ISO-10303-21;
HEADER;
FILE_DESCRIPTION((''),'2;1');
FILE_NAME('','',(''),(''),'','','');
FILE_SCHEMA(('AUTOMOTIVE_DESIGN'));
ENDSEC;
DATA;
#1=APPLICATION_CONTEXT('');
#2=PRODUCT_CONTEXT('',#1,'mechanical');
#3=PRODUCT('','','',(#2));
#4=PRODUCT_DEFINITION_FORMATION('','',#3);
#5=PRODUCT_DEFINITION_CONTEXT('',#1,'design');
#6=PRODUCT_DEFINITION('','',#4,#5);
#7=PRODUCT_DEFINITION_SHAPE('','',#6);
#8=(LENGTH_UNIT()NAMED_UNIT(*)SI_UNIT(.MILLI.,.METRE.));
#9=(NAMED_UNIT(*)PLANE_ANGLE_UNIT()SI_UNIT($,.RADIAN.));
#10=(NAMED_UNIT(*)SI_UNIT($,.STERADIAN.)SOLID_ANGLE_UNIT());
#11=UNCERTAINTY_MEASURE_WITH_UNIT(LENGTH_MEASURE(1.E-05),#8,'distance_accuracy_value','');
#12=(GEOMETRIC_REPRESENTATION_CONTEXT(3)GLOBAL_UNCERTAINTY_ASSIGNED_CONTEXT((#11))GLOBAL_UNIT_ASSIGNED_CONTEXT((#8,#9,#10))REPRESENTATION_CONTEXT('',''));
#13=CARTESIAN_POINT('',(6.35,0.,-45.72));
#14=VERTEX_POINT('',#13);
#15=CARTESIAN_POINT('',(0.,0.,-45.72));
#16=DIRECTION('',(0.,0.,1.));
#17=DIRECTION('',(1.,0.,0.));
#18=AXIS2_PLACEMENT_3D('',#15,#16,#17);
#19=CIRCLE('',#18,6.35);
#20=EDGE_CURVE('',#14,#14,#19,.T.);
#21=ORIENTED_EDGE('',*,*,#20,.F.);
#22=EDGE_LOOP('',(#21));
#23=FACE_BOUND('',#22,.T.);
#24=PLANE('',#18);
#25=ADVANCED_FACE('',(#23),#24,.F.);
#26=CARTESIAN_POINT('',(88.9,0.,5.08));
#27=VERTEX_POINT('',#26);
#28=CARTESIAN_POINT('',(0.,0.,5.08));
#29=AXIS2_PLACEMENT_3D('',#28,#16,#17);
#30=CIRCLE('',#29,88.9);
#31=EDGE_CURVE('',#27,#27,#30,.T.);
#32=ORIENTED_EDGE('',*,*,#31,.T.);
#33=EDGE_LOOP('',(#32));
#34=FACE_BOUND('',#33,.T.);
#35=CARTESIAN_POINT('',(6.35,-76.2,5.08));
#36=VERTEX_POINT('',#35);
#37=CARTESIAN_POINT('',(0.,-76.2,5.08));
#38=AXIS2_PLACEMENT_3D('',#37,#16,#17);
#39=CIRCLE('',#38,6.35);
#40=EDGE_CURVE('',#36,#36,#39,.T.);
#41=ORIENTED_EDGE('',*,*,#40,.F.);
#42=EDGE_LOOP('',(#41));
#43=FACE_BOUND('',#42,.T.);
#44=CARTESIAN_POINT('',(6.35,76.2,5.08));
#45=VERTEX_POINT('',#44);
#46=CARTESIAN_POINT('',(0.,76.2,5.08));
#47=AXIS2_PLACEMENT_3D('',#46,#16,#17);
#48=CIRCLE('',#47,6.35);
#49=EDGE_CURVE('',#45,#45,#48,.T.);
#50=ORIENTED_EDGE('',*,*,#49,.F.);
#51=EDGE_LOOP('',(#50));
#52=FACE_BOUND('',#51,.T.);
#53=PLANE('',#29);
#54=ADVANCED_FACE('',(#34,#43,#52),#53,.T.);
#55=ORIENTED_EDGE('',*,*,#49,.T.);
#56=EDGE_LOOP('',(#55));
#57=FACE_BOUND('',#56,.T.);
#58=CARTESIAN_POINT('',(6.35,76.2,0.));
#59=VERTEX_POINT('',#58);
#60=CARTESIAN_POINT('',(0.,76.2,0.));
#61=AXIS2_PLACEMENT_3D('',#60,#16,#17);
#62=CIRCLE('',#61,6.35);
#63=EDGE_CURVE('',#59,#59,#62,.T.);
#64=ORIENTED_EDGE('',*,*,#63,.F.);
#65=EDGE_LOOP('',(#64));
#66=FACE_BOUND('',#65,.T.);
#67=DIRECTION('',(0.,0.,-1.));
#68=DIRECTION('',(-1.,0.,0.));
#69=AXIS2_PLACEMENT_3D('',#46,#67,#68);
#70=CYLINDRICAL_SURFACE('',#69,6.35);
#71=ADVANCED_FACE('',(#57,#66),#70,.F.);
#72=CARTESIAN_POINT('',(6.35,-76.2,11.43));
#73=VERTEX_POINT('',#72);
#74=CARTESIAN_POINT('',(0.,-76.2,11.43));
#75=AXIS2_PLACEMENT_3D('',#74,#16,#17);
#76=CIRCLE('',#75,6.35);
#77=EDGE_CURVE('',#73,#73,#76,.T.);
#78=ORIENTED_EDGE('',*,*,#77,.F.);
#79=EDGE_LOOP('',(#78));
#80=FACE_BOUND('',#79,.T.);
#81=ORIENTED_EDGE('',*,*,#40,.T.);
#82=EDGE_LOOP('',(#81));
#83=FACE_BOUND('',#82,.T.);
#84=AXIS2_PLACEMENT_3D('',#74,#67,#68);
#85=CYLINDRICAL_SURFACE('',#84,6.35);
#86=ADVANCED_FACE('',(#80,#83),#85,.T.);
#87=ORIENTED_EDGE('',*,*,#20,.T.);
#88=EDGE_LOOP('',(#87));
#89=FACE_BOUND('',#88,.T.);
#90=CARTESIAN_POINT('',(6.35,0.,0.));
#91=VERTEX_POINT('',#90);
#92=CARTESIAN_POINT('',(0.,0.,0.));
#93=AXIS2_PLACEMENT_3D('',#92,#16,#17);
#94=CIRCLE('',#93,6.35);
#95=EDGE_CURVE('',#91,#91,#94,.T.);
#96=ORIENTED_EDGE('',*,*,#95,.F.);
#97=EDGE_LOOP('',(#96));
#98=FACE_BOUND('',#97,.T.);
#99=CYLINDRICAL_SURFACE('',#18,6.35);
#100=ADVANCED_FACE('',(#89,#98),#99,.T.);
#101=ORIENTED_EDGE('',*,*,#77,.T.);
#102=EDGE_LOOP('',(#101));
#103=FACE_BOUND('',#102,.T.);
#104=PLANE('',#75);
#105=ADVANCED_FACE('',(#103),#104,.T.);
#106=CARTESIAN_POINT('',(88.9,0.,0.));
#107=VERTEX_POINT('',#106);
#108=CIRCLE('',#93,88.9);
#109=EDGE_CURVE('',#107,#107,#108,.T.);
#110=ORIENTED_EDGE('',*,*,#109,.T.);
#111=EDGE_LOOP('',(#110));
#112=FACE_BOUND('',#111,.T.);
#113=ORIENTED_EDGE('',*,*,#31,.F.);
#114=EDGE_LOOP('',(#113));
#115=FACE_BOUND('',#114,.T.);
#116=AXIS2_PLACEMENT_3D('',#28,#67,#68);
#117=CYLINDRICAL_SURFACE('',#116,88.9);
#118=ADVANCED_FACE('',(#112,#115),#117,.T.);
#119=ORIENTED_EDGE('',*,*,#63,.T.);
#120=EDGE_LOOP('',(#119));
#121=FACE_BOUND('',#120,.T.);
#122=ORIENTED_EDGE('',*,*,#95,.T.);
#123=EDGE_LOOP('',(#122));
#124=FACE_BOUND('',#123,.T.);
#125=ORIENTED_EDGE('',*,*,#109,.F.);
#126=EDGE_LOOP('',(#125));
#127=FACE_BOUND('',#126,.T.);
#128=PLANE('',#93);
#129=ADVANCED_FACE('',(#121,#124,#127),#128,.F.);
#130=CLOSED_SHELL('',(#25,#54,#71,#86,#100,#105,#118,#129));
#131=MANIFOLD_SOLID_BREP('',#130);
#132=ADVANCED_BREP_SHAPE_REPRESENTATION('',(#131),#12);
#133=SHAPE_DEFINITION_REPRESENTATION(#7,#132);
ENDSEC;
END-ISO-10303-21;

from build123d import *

# Parameters (mm, degrees)
SKETCH1_R           = 88.9
SKETCH1_R_2         = 6.35
BOSS_EXTRUDE1_DEPTH = 5.08
SKETCH2_R           = 6.35
BOSS_EXTRUDE2_DEPTH = 11.43
BOSS_EXTRUDE3_START = -50.8
SKETCH3_R           = 6.35
BOSS_EXTRUDE3_DEPTH = 50.8


with BuildPart() as part:
    # Sketch1 → Boss-Extrude1 (new body)
    with BuildSketch(Plane.XY):
        Circle(SKETCH1_R)
        Circle(SKETCH1_R_2, mode=Mode.SUBTRACT)
        with Locations((0, -76.2)):
            Circle(SKETCH1_R_2, mode=Mode.SUBTRACT)
        with Locations((0, 76.2)):
            Circle(SKETCH1_R_2, mode=Mode.SUBTRACT)
    extrude(amount=BOSS_EXTRUDE1_DEPTH)

    # Sketch2 → Boss-Extrude2 (add)
    with BuildSketch(Plane.XY):
        with Locations((0, -76.2)):
            Circle(SKETCH2_R)
    extrude(amount=BOSS_EXTRUDE2_DEPTH)

    # Sketch3 → Boss-Extrude3 (add)
    with BuildSketch(Plane.XY.offset(5.08).offset(BOSS_EXTRUDE3_START)):
        Circle(SKETCH3_R)
    extrude(amount=BOSS_EXTRUDE3_DEPTH)


solid = part.part
